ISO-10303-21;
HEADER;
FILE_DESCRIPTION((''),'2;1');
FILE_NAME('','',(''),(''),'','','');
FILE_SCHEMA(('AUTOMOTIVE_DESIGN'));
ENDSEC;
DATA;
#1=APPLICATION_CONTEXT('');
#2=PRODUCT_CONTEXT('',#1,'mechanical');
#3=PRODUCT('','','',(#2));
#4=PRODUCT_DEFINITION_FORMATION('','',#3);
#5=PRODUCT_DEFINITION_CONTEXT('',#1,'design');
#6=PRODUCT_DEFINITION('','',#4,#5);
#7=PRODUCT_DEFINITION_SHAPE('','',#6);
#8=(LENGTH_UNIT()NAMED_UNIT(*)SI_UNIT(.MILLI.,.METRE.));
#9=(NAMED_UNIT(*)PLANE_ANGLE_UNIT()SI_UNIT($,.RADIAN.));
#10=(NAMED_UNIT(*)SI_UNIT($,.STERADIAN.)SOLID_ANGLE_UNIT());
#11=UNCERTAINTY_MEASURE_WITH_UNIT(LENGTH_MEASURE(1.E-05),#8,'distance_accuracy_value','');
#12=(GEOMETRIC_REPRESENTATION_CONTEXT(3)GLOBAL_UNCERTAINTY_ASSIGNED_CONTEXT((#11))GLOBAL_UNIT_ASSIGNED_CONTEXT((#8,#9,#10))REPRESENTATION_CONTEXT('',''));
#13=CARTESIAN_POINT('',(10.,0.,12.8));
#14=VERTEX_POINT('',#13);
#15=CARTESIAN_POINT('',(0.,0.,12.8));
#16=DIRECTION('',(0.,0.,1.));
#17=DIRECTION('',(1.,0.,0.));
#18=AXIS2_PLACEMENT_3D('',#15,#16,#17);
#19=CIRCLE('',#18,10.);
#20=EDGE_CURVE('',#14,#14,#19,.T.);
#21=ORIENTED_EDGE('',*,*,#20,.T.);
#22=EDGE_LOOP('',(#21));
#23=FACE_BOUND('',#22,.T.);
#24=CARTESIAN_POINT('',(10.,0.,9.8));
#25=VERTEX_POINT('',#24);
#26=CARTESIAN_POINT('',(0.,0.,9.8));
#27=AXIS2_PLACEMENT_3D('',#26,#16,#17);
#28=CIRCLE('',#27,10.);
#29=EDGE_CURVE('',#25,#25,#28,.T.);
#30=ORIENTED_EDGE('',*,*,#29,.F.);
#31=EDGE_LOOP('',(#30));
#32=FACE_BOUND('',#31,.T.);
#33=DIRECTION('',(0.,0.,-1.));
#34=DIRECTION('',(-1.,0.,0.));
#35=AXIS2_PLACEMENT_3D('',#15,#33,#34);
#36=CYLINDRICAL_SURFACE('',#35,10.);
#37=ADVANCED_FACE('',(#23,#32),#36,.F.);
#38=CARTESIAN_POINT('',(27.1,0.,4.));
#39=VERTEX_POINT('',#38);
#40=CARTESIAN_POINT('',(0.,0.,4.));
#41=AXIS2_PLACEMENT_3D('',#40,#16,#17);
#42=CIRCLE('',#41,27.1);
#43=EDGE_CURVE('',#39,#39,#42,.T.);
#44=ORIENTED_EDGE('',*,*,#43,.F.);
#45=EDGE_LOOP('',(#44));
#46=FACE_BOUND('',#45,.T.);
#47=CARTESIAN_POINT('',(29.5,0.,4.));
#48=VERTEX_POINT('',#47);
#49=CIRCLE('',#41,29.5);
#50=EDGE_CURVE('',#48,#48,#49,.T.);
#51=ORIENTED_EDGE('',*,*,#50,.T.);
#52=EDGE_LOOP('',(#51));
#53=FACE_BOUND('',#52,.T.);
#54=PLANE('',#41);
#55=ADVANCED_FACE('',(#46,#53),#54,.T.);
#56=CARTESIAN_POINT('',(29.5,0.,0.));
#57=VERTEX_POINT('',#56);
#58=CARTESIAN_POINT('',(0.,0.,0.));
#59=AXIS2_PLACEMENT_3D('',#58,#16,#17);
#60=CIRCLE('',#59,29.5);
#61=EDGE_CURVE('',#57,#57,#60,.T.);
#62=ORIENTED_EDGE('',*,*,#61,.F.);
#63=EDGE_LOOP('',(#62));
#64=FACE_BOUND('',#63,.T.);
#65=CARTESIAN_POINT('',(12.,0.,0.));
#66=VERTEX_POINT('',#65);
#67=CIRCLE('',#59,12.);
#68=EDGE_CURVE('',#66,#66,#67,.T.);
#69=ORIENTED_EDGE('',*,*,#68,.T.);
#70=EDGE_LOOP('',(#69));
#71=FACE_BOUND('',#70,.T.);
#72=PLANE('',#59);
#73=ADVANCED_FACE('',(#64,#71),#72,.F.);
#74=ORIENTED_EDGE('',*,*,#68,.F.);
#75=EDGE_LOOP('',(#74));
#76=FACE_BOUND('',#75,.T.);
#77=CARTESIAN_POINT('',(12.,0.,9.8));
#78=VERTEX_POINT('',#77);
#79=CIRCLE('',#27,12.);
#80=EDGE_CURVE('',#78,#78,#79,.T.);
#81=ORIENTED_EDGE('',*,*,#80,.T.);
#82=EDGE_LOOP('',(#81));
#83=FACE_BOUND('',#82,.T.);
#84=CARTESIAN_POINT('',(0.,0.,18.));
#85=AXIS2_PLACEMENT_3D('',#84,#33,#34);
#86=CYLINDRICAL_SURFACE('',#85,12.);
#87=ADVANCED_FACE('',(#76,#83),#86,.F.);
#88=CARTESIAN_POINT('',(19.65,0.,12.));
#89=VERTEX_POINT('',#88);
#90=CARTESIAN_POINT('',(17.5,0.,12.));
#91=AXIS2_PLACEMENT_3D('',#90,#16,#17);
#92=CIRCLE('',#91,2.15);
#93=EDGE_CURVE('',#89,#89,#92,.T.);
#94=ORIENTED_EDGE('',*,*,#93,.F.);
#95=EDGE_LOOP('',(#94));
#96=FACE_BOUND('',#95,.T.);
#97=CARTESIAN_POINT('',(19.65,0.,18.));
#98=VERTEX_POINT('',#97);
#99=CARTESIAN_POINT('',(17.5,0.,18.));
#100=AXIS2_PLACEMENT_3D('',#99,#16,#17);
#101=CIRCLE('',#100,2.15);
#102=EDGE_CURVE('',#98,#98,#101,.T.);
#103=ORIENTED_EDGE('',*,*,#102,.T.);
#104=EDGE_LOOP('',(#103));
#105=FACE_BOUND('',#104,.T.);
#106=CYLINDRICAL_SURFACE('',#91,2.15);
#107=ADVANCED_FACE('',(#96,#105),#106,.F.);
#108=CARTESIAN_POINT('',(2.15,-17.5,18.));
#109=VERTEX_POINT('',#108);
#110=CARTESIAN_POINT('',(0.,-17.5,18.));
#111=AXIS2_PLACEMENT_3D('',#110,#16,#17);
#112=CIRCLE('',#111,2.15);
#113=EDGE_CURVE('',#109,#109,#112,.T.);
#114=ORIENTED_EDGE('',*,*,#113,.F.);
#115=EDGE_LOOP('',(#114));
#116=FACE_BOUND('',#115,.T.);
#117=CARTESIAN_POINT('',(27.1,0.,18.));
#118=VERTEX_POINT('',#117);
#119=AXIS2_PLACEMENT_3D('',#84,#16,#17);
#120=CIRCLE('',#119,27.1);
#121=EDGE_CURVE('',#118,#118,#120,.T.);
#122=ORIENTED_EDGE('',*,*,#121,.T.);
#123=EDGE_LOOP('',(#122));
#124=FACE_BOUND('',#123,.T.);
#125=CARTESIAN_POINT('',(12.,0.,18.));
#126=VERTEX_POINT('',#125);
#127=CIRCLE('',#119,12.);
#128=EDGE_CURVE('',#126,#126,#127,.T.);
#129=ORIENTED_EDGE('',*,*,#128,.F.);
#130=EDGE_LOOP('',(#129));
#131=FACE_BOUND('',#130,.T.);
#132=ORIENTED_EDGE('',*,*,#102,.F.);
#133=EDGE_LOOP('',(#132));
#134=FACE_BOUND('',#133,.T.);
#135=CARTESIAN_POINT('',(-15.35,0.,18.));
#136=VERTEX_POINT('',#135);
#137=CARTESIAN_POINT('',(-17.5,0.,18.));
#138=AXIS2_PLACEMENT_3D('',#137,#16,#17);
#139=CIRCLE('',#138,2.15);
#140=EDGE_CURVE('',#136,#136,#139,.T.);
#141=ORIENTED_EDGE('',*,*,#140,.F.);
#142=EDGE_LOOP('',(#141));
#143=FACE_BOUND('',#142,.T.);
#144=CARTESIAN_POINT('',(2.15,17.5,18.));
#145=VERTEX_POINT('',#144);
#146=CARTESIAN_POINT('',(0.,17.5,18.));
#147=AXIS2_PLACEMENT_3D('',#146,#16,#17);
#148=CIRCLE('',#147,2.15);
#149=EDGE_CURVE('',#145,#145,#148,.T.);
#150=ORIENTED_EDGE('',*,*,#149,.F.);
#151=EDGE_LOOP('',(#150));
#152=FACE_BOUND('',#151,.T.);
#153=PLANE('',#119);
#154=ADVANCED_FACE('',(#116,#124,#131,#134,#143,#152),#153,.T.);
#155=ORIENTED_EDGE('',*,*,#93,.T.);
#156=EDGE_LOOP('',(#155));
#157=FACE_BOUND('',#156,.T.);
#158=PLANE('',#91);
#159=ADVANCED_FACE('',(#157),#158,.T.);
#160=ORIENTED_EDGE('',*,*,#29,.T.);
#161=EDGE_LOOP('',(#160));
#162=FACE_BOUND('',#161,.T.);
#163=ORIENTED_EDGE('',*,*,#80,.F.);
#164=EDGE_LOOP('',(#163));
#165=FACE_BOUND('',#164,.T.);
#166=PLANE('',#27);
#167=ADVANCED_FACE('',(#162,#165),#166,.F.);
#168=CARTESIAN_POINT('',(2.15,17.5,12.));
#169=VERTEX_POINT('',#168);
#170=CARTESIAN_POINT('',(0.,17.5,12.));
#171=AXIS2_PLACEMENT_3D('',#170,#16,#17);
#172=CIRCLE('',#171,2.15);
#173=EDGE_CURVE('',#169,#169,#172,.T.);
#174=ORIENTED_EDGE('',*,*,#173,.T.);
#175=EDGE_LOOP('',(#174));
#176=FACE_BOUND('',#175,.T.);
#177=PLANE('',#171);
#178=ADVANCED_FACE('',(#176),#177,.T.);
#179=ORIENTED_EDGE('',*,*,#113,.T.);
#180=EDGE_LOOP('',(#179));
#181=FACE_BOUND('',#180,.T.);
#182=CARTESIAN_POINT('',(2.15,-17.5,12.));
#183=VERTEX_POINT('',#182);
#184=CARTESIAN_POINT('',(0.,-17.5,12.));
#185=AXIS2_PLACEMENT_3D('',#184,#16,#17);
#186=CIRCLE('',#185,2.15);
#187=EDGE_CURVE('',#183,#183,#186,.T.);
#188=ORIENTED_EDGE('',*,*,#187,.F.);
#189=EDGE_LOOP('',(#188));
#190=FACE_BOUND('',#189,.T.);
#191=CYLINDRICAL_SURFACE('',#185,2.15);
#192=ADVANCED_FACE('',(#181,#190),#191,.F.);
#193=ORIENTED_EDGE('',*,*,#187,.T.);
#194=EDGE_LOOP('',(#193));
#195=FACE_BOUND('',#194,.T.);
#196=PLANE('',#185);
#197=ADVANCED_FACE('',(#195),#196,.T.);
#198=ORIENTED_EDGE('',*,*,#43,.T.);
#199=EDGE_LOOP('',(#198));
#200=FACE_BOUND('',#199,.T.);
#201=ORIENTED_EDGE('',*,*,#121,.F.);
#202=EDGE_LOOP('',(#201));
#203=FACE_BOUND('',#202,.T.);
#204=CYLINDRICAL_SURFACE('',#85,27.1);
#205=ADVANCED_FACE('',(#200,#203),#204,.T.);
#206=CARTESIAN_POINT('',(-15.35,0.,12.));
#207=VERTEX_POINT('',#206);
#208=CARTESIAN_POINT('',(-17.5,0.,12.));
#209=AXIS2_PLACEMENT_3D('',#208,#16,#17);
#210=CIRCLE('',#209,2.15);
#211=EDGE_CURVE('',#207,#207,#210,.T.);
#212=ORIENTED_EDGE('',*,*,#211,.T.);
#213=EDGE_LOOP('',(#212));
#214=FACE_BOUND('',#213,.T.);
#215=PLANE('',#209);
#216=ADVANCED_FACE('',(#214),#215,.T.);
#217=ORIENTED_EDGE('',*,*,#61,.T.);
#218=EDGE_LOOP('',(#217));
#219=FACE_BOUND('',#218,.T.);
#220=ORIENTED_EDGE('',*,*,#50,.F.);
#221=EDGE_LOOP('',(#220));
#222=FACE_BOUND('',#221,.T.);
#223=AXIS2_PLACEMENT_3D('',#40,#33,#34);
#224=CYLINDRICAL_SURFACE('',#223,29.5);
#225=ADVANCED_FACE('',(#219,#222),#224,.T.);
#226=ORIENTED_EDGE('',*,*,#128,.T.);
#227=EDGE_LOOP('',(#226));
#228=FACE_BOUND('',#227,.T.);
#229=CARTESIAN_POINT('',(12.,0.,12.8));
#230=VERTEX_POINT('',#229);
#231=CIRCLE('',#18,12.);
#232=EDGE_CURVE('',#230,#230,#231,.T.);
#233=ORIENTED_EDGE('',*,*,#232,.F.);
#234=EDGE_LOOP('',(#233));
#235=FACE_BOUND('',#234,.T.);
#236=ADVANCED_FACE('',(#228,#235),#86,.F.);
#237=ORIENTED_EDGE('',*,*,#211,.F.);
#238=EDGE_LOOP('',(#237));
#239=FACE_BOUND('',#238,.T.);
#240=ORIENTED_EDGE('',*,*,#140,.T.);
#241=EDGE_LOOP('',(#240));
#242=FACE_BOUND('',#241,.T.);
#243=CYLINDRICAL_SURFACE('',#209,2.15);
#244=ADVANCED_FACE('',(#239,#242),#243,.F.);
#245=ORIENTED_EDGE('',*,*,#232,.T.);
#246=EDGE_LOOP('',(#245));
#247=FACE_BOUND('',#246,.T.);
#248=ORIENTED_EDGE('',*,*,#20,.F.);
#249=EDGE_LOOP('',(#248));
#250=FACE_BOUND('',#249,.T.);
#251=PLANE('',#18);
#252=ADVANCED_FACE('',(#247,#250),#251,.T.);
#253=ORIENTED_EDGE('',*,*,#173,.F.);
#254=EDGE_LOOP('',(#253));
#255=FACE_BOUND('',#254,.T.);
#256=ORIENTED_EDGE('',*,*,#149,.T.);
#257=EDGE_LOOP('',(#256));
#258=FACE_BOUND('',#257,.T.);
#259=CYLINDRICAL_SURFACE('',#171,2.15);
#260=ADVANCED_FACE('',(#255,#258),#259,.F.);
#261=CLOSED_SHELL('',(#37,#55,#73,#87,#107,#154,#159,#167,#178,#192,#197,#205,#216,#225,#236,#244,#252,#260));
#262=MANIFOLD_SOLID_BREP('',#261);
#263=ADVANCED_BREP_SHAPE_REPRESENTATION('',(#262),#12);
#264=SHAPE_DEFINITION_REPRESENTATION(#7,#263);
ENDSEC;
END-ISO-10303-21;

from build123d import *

# Parameters (mm, degrees)
SKETCH1_R           = 29.5
SKETCH1_R_2         = 27.1
BOSS_EXTRUDE1_DEPTH = 4
SKETCH1_3_R         = 27.1
SKETCH1_3_R_2       = 12
BOSS_EXTRUDE2_DEPTH = 18
BOSS_EXTRUDE3_START = 9.8
SKETCH1_4_R         = 12
SKETCH1_4_R_2       = 10
BOSS_EXTRUDE3_DEPTH = 3
SKETCH4_R           = 2.15
CUT_EXTRUDE1_DEPTH  = 6


with BuildPart() as part:
    # Sketch1 → Boss-Extrude1 (new body)
    with BuildSketch(Plane.XY):
        Circle(SKETCH1_R)
        Circle(SKETCH1_R_2, mode=Mode.SUBTRACT)
    extrude(amount=BOSS_EXTRUDE1_DEPTH)

    # Sketch1<3> → Boss-Extrude2 (add)
    with BuildSketch(Plane.XY):
        Circle(SKETCH1_3_R)
        Circle(SKETCH1_3_R_2, mode=Mode.SUBTRACT)
    extrude(amount=BOSS_EXTRUDE2_DEPTH)

    # Sketch1<4> → Boss-Extrude3 (add)
    with BuildSketch(Plane.XY.offset(BOSS_EXTRUDE3_START)):
        Circle(SKETCH1_4_R)
        Circle(SKETCH1_4_R_2, mode=Mode.SUBTRACT)
    extrude(amount=BOSS_EXTRUDE3_DEPTH)

    # Sketch4 → Cut-Extrude1 (cut)
    with BuildSketch(Plane.XY.offset(18)):
        with Locations((0, 17.5)):
            Circle(SKETCH4_R)
        with Locations((17.5, 0)):
            Circle(SKETCH4_R)
        with Locations((0, -17.5)):
            Circle(SKETCH4_R)
        with Locations((-17.5, 0)):
            Circle(SKETCH4_R)
    extrude(amount=-CUT_EXTRUDE1_DEPTH, mode=Mode.SUBTRACT)


solid = part.part
